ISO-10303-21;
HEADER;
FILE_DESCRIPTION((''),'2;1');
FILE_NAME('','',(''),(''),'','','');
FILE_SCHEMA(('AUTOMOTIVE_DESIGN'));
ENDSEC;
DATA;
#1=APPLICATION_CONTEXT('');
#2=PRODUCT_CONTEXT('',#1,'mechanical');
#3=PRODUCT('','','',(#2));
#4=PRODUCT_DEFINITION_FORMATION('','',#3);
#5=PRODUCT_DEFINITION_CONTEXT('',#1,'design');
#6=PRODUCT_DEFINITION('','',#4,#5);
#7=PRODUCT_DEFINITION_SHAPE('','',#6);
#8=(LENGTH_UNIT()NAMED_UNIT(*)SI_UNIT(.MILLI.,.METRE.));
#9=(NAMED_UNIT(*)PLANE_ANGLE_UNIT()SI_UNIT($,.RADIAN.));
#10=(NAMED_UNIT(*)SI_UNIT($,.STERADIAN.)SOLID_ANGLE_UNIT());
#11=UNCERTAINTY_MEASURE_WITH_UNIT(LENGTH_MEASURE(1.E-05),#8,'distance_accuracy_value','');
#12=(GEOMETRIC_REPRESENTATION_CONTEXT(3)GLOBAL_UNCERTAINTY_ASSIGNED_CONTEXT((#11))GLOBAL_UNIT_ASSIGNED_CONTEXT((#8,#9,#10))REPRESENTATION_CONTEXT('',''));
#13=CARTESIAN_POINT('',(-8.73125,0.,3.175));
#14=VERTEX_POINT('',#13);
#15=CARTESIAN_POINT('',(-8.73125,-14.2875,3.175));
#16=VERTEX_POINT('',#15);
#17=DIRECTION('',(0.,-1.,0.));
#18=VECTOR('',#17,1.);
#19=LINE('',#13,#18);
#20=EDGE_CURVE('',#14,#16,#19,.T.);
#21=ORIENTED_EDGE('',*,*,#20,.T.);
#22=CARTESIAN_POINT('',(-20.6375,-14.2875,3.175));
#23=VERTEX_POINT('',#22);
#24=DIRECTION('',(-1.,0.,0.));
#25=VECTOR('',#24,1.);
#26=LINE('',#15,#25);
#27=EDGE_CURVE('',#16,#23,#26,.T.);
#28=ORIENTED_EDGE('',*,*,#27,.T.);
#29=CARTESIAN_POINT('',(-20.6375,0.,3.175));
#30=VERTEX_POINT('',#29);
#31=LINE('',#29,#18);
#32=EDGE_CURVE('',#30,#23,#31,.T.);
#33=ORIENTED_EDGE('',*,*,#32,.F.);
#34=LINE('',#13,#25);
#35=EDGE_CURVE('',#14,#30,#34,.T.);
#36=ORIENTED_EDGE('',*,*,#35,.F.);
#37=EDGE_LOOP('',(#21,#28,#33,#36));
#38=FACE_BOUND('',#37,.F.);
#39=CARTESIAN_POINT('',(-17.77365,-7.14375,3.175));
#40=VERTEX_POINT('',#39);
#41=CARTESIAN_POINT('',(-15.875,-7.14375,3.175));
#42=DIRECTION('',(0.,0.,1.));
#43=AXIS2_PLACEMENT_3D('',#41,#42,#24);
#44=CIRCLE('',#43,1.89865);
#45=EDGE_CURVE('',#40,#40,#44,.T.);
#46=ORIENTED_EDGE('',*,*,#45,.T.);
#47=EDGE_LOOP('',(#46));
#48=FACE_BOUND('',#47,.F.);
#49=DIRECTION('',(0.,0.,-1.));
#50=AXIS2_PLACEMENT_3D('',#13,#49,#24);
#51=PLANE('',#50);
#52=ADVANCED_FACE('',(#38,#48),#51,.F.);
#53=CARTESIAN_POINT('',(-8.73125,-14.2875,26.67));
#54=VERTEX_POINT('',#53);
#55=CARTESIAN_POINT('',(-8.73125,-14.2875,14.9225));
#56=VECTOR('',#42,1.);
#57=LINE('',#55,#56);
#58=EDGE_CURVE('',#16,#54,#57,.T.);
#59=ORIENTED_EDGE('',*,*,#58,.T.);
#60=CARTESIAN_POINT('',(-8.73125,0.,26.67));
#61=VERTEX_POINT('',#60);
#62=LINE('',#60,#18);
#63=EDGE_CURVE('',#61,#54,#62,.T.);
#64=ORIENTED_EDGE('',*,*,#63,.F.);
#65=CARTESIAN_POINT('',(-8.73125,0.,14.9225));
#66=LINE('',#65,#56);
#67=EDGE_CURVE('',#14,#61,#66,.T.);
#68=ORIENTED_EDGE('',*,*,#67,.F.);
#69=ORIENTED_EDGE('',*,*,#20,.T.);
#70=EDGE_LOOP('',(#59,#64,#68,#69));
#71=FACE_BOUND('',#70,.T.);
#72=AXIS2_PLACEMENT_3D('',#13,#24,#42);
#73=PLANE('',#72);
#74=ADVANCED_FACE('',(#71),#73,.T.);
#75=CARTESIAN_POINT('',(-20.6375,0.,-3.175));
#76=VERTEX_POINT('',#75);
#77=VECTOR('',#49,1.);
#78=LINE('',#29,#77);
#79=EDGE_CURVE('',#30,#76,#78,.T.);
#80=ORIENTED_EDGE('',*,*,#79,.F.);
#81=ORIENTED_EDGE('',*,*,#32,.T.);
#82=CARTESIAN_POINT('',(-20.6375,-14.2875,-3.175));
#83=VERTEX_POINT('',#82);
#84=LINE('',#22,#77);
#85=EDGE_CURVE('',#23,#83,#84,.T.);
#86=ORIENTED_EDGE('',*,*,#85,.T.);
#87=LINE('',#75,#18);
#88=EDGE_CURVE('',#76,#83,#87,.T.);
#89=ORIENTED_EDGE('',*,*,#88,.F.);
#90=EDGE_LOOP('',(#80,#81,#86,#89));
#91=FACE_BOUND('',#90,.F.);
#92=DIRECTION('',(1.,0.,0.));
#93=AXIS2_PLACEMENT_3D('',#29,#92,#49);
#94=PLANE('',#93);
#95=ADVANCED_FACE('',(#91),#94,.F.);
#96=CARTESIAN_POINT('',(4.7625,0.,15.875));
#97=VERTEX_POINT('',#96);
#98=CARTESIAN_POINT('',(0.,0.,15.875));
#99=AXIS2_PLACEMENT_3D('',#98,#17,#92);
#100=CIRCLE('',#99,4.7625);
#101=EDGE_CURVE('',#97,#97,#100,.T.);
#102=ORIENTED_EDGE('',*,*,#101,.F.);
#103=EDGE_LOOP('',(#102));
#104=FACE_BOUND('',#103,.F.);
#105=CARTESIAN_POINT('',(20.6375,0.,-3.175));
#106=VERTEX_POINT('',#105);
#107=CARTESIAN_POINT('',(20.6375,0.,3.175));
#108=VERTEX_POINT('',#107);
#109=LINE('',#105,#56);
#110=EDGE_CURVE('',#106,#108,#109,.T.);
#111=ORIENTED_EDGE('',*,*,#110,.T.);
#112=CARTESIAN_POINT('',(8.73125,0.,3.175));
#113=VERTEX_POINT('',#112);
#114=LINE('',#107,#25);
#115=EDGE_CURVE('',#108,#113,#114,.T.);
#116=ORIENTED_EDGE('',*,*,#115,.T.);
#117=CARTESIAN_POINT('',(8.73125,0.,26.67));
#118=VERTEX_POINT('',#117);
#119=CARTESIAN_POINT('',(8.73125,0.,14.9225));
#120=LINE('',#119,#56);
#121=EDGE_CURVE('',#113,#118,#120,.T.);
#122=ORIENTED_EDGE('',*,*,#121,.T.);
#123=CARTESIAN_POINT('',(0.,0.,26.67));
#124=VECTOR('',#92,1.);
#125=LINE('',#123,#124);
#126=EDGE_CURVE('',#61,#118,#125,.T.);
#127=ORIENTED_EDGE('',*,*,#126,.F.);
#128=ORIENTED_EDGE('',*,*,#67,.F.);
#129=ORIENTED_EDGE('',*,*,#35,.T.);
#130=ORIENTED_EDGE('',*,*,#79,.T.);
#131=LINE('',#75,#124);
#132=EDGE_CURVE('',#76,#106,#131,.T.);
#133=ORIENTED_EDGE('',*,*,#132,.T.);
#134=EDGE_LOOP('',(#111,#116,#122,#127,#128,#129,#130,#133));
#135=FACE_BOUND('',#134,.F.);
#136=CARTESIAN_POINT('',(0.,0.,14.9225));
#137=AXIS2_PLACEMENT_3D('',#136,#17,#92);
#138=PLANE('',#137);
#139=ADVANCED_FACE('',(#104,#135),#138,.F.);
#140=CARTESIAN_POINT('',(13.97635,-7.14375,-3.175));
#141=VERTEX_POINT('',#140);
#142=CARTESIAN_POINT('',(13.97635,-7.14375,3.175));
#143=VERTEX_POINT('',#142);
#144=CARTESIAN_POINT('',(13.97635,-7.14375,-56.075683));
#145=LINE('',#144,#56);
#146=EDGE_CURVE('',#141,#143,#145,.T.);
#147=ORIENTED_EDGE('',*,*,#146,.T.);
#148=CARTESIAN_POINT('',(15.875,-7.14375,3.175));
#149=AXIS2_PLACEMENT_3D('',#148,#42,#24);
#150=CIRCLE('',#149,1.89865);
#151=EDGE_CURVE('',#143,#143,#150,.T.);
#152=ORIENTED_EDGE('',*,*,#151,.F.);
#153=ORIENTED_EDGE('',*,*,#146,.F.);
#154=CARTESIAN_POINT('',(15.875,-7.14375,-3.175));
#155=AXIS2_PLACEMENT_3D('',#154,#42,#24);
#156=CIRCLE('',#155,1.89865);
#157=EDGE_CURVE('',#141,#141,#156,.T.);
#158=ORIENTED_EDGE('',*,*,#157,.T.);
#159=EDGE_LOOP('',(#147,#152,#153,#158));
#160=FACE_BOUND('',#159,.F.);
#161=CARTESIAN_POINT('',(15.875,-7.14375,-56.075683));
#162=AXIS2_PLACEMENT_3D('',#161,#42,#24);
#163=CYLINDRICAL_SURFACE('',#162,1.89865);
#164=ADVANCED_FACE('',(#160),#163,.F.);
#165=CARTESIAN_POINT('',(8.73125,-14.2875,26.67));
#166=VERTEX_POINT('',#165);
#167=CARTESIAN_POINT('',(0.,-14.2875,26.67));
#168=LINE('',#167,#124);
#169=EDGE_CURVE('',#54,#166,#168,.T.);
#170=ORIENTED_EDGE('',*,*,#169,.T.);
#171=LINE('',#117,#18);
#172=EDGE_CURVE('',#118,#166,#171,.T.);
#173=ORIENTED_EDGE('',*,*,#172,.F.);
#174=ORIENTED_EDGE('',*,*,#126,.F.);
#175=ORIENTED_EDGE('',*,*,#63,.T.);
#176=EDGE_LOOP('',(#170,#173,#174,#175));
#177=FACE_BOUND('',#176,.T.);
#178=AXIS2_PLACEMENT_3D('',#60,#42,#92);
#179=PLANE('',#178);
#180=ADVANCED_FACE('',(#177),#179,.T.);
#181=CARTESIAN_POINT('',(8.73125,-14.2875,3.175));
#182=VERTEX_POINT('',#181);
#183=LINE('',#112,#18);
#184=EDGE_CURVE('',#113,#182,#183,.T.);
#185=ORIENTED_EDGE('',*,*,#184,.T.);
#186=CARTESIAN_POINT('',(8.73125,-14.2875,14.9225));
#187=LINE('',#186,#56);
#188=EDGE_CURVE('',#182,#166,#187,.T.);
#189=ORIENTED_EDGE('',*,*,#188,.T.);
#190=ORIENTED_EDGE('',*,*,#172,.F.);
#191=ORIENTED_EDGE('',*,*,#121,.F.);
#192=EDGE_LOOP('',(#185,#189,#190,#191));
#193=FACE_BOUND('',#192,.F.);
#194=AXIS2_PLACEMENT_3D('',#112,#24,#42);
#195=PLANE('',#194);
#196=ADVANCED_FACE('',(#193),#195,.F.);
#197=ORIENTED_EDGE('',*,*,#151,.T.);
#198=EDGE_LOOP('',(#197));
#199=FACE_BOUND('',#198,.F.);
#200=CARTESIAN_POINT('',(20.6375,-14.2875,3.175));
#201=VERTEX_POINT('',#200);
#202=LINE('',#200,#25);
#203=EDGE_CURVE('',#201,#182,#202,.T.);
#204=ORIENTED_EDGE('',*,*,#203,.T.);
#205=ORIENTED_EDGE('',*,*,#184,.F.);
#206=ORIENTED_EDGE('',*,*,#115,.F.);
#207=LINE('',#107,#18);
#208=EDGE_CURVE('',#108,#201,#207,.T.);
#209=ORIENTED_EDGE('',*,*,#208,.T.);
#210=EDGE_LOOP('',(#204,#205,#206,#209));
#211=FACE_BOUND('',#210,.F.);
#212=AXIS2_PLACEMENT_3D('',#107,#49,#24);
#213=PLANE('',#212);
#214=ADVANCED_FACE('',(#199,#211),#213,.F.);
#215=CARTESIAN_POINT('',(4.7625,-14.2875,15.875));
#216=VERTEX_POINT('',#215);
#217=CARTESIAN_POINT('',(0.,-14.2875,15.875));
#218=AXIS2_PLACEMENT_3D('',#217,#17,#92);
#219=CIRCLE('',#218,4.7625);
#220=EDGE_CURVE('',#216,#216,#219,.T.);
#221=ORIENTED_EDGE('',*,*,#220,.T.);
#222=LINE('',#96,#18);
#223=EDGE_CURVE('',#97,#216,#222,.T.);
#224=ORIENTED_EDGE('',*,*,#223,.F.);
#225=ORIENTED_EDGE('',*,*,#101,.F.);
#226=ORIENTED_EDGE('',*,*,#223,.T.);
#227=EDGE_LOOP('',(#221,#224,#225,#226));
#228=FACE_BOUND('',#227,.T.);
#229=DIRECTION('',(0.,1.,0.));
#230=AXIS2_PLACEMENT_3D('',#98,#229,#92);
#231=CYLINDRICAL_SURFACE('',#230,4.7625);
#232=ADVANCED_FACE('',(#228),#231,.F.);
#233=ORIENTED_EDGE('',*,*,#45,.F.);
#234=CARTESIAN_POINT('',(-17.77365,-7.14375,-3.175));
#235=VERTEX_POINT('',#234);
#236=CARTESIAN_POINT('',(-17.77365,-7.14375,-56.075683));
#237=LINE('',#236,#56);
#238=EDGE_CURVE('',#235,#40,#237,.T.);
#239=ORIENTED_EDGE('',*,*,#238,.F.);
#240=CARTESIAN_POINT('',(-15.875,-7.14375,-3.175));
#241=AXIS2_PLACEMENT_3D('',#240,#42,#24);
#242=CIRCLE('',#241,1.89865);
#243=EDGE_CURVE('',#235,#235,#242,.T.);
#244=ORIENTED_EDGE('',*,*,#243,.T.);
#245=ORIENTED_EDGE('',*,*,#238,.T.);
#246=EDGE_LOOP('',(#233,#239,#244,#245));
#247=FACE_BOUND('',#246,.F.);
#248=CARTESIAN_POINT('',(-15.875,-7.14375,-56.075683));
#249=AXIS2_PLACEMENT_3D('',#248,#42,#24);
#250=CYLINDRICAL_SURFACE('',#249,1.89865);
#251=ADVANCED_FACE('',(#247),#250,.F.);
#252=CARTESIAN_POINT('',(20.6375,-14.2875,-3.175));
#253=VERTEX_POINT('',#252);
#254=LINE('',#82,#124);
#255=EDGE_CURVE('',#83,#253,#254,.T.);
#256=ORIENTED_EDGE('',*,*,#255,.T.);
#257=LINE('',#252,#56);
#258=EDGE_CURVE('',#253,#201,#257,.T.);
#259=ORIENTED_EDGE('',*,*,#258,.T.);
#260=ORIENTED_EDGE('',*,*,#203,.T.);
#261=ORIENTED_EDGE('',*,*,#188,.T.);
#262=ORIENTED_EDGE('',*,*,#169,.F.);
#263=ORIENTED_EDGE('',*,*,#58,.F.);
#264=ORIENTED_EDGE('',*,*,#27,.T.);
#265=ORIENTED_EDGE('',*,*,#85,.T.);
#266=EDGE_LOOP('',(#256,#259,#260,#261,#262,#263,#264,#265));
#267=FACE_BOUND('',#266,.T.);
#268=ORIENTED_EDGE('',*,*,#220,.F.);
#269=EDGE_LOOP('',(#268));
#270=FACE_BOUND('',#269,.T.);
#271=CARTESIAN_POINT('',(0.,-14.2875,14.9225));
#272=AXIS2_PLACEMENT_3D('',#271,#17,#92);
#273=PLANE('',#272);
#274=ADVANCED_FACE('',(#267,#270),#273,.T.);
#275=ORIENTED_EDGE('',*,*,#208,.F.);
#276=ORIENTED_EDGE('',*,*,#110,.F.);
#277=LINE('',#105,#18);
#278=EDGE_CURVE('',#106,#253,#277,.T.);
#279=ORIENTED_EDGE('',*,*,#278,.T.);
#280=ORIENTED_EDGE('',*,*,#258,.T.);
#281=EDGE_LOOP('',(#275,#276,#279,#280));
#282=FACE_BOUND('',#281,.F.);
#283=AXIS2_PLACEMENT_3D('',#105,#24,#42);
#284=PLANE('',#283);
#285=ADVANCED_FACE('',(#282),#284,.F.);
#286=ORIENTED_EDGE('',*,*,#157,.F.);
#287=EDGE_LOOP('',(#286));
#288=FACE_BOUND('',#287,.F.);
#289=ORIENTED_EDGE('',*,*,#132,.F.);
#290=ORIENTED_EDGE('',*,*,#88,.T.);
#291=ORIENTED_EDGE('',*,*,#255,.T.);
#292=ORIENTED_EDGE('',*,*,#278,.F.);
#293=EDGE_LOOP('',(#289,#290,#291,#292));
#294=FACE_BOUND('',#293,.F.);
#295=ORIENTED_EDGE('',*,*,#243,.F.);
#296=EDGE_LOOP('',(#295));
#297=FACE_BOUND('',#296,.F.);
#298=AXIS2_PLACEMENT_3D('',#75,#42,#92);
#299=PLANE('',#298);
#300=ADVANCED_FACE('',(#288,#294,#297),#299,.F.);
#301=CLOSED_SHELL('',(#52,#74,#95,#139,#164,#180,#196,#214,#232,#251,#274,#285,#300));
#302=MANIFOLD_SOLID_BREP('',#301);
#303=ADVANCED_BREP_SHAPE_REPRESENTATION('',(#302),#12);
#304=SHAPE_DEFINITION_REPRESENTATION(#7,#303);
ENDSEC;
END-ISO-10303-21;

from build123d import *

# Parameters (mm, degrees)
F0_W     = 17.4625
F0_H     = 23.495
F0_R     = 4.7625
F1_DEPTH = 14.2875
F3_D     = 3.7973


with BuildPart() as f1:
    # F0 (on Front) → F1 (new body)
    with BuildSketch(Plane.XZ):
        with Locations((0, 14.9225)):
            Rectangle(F0_W, F0_H)
        with Locations((0, 15.875)):
            Circle(F0_R, mode=Mode.SUBTRACT)
        Polygon((20.6375, -3.175), (20.6375, 3.175), (8.73125, 3.175), (-8.73125, 3.175), (-20.6375, 3.175), (-20.6375, -3.175), align=None)
    extrude(amount=F1_DEPTH)

    # F3 (through all)
    with Locations(Plane(origin=(0, 0, -3.175), x_dir=(1, 0, 0), z_dir=(0, 0, -1))):
        with Locations((-15.875, 7.14375), (15.875, 7.14375)):
            Hole(F3_D / 2)


solid = f1.part
